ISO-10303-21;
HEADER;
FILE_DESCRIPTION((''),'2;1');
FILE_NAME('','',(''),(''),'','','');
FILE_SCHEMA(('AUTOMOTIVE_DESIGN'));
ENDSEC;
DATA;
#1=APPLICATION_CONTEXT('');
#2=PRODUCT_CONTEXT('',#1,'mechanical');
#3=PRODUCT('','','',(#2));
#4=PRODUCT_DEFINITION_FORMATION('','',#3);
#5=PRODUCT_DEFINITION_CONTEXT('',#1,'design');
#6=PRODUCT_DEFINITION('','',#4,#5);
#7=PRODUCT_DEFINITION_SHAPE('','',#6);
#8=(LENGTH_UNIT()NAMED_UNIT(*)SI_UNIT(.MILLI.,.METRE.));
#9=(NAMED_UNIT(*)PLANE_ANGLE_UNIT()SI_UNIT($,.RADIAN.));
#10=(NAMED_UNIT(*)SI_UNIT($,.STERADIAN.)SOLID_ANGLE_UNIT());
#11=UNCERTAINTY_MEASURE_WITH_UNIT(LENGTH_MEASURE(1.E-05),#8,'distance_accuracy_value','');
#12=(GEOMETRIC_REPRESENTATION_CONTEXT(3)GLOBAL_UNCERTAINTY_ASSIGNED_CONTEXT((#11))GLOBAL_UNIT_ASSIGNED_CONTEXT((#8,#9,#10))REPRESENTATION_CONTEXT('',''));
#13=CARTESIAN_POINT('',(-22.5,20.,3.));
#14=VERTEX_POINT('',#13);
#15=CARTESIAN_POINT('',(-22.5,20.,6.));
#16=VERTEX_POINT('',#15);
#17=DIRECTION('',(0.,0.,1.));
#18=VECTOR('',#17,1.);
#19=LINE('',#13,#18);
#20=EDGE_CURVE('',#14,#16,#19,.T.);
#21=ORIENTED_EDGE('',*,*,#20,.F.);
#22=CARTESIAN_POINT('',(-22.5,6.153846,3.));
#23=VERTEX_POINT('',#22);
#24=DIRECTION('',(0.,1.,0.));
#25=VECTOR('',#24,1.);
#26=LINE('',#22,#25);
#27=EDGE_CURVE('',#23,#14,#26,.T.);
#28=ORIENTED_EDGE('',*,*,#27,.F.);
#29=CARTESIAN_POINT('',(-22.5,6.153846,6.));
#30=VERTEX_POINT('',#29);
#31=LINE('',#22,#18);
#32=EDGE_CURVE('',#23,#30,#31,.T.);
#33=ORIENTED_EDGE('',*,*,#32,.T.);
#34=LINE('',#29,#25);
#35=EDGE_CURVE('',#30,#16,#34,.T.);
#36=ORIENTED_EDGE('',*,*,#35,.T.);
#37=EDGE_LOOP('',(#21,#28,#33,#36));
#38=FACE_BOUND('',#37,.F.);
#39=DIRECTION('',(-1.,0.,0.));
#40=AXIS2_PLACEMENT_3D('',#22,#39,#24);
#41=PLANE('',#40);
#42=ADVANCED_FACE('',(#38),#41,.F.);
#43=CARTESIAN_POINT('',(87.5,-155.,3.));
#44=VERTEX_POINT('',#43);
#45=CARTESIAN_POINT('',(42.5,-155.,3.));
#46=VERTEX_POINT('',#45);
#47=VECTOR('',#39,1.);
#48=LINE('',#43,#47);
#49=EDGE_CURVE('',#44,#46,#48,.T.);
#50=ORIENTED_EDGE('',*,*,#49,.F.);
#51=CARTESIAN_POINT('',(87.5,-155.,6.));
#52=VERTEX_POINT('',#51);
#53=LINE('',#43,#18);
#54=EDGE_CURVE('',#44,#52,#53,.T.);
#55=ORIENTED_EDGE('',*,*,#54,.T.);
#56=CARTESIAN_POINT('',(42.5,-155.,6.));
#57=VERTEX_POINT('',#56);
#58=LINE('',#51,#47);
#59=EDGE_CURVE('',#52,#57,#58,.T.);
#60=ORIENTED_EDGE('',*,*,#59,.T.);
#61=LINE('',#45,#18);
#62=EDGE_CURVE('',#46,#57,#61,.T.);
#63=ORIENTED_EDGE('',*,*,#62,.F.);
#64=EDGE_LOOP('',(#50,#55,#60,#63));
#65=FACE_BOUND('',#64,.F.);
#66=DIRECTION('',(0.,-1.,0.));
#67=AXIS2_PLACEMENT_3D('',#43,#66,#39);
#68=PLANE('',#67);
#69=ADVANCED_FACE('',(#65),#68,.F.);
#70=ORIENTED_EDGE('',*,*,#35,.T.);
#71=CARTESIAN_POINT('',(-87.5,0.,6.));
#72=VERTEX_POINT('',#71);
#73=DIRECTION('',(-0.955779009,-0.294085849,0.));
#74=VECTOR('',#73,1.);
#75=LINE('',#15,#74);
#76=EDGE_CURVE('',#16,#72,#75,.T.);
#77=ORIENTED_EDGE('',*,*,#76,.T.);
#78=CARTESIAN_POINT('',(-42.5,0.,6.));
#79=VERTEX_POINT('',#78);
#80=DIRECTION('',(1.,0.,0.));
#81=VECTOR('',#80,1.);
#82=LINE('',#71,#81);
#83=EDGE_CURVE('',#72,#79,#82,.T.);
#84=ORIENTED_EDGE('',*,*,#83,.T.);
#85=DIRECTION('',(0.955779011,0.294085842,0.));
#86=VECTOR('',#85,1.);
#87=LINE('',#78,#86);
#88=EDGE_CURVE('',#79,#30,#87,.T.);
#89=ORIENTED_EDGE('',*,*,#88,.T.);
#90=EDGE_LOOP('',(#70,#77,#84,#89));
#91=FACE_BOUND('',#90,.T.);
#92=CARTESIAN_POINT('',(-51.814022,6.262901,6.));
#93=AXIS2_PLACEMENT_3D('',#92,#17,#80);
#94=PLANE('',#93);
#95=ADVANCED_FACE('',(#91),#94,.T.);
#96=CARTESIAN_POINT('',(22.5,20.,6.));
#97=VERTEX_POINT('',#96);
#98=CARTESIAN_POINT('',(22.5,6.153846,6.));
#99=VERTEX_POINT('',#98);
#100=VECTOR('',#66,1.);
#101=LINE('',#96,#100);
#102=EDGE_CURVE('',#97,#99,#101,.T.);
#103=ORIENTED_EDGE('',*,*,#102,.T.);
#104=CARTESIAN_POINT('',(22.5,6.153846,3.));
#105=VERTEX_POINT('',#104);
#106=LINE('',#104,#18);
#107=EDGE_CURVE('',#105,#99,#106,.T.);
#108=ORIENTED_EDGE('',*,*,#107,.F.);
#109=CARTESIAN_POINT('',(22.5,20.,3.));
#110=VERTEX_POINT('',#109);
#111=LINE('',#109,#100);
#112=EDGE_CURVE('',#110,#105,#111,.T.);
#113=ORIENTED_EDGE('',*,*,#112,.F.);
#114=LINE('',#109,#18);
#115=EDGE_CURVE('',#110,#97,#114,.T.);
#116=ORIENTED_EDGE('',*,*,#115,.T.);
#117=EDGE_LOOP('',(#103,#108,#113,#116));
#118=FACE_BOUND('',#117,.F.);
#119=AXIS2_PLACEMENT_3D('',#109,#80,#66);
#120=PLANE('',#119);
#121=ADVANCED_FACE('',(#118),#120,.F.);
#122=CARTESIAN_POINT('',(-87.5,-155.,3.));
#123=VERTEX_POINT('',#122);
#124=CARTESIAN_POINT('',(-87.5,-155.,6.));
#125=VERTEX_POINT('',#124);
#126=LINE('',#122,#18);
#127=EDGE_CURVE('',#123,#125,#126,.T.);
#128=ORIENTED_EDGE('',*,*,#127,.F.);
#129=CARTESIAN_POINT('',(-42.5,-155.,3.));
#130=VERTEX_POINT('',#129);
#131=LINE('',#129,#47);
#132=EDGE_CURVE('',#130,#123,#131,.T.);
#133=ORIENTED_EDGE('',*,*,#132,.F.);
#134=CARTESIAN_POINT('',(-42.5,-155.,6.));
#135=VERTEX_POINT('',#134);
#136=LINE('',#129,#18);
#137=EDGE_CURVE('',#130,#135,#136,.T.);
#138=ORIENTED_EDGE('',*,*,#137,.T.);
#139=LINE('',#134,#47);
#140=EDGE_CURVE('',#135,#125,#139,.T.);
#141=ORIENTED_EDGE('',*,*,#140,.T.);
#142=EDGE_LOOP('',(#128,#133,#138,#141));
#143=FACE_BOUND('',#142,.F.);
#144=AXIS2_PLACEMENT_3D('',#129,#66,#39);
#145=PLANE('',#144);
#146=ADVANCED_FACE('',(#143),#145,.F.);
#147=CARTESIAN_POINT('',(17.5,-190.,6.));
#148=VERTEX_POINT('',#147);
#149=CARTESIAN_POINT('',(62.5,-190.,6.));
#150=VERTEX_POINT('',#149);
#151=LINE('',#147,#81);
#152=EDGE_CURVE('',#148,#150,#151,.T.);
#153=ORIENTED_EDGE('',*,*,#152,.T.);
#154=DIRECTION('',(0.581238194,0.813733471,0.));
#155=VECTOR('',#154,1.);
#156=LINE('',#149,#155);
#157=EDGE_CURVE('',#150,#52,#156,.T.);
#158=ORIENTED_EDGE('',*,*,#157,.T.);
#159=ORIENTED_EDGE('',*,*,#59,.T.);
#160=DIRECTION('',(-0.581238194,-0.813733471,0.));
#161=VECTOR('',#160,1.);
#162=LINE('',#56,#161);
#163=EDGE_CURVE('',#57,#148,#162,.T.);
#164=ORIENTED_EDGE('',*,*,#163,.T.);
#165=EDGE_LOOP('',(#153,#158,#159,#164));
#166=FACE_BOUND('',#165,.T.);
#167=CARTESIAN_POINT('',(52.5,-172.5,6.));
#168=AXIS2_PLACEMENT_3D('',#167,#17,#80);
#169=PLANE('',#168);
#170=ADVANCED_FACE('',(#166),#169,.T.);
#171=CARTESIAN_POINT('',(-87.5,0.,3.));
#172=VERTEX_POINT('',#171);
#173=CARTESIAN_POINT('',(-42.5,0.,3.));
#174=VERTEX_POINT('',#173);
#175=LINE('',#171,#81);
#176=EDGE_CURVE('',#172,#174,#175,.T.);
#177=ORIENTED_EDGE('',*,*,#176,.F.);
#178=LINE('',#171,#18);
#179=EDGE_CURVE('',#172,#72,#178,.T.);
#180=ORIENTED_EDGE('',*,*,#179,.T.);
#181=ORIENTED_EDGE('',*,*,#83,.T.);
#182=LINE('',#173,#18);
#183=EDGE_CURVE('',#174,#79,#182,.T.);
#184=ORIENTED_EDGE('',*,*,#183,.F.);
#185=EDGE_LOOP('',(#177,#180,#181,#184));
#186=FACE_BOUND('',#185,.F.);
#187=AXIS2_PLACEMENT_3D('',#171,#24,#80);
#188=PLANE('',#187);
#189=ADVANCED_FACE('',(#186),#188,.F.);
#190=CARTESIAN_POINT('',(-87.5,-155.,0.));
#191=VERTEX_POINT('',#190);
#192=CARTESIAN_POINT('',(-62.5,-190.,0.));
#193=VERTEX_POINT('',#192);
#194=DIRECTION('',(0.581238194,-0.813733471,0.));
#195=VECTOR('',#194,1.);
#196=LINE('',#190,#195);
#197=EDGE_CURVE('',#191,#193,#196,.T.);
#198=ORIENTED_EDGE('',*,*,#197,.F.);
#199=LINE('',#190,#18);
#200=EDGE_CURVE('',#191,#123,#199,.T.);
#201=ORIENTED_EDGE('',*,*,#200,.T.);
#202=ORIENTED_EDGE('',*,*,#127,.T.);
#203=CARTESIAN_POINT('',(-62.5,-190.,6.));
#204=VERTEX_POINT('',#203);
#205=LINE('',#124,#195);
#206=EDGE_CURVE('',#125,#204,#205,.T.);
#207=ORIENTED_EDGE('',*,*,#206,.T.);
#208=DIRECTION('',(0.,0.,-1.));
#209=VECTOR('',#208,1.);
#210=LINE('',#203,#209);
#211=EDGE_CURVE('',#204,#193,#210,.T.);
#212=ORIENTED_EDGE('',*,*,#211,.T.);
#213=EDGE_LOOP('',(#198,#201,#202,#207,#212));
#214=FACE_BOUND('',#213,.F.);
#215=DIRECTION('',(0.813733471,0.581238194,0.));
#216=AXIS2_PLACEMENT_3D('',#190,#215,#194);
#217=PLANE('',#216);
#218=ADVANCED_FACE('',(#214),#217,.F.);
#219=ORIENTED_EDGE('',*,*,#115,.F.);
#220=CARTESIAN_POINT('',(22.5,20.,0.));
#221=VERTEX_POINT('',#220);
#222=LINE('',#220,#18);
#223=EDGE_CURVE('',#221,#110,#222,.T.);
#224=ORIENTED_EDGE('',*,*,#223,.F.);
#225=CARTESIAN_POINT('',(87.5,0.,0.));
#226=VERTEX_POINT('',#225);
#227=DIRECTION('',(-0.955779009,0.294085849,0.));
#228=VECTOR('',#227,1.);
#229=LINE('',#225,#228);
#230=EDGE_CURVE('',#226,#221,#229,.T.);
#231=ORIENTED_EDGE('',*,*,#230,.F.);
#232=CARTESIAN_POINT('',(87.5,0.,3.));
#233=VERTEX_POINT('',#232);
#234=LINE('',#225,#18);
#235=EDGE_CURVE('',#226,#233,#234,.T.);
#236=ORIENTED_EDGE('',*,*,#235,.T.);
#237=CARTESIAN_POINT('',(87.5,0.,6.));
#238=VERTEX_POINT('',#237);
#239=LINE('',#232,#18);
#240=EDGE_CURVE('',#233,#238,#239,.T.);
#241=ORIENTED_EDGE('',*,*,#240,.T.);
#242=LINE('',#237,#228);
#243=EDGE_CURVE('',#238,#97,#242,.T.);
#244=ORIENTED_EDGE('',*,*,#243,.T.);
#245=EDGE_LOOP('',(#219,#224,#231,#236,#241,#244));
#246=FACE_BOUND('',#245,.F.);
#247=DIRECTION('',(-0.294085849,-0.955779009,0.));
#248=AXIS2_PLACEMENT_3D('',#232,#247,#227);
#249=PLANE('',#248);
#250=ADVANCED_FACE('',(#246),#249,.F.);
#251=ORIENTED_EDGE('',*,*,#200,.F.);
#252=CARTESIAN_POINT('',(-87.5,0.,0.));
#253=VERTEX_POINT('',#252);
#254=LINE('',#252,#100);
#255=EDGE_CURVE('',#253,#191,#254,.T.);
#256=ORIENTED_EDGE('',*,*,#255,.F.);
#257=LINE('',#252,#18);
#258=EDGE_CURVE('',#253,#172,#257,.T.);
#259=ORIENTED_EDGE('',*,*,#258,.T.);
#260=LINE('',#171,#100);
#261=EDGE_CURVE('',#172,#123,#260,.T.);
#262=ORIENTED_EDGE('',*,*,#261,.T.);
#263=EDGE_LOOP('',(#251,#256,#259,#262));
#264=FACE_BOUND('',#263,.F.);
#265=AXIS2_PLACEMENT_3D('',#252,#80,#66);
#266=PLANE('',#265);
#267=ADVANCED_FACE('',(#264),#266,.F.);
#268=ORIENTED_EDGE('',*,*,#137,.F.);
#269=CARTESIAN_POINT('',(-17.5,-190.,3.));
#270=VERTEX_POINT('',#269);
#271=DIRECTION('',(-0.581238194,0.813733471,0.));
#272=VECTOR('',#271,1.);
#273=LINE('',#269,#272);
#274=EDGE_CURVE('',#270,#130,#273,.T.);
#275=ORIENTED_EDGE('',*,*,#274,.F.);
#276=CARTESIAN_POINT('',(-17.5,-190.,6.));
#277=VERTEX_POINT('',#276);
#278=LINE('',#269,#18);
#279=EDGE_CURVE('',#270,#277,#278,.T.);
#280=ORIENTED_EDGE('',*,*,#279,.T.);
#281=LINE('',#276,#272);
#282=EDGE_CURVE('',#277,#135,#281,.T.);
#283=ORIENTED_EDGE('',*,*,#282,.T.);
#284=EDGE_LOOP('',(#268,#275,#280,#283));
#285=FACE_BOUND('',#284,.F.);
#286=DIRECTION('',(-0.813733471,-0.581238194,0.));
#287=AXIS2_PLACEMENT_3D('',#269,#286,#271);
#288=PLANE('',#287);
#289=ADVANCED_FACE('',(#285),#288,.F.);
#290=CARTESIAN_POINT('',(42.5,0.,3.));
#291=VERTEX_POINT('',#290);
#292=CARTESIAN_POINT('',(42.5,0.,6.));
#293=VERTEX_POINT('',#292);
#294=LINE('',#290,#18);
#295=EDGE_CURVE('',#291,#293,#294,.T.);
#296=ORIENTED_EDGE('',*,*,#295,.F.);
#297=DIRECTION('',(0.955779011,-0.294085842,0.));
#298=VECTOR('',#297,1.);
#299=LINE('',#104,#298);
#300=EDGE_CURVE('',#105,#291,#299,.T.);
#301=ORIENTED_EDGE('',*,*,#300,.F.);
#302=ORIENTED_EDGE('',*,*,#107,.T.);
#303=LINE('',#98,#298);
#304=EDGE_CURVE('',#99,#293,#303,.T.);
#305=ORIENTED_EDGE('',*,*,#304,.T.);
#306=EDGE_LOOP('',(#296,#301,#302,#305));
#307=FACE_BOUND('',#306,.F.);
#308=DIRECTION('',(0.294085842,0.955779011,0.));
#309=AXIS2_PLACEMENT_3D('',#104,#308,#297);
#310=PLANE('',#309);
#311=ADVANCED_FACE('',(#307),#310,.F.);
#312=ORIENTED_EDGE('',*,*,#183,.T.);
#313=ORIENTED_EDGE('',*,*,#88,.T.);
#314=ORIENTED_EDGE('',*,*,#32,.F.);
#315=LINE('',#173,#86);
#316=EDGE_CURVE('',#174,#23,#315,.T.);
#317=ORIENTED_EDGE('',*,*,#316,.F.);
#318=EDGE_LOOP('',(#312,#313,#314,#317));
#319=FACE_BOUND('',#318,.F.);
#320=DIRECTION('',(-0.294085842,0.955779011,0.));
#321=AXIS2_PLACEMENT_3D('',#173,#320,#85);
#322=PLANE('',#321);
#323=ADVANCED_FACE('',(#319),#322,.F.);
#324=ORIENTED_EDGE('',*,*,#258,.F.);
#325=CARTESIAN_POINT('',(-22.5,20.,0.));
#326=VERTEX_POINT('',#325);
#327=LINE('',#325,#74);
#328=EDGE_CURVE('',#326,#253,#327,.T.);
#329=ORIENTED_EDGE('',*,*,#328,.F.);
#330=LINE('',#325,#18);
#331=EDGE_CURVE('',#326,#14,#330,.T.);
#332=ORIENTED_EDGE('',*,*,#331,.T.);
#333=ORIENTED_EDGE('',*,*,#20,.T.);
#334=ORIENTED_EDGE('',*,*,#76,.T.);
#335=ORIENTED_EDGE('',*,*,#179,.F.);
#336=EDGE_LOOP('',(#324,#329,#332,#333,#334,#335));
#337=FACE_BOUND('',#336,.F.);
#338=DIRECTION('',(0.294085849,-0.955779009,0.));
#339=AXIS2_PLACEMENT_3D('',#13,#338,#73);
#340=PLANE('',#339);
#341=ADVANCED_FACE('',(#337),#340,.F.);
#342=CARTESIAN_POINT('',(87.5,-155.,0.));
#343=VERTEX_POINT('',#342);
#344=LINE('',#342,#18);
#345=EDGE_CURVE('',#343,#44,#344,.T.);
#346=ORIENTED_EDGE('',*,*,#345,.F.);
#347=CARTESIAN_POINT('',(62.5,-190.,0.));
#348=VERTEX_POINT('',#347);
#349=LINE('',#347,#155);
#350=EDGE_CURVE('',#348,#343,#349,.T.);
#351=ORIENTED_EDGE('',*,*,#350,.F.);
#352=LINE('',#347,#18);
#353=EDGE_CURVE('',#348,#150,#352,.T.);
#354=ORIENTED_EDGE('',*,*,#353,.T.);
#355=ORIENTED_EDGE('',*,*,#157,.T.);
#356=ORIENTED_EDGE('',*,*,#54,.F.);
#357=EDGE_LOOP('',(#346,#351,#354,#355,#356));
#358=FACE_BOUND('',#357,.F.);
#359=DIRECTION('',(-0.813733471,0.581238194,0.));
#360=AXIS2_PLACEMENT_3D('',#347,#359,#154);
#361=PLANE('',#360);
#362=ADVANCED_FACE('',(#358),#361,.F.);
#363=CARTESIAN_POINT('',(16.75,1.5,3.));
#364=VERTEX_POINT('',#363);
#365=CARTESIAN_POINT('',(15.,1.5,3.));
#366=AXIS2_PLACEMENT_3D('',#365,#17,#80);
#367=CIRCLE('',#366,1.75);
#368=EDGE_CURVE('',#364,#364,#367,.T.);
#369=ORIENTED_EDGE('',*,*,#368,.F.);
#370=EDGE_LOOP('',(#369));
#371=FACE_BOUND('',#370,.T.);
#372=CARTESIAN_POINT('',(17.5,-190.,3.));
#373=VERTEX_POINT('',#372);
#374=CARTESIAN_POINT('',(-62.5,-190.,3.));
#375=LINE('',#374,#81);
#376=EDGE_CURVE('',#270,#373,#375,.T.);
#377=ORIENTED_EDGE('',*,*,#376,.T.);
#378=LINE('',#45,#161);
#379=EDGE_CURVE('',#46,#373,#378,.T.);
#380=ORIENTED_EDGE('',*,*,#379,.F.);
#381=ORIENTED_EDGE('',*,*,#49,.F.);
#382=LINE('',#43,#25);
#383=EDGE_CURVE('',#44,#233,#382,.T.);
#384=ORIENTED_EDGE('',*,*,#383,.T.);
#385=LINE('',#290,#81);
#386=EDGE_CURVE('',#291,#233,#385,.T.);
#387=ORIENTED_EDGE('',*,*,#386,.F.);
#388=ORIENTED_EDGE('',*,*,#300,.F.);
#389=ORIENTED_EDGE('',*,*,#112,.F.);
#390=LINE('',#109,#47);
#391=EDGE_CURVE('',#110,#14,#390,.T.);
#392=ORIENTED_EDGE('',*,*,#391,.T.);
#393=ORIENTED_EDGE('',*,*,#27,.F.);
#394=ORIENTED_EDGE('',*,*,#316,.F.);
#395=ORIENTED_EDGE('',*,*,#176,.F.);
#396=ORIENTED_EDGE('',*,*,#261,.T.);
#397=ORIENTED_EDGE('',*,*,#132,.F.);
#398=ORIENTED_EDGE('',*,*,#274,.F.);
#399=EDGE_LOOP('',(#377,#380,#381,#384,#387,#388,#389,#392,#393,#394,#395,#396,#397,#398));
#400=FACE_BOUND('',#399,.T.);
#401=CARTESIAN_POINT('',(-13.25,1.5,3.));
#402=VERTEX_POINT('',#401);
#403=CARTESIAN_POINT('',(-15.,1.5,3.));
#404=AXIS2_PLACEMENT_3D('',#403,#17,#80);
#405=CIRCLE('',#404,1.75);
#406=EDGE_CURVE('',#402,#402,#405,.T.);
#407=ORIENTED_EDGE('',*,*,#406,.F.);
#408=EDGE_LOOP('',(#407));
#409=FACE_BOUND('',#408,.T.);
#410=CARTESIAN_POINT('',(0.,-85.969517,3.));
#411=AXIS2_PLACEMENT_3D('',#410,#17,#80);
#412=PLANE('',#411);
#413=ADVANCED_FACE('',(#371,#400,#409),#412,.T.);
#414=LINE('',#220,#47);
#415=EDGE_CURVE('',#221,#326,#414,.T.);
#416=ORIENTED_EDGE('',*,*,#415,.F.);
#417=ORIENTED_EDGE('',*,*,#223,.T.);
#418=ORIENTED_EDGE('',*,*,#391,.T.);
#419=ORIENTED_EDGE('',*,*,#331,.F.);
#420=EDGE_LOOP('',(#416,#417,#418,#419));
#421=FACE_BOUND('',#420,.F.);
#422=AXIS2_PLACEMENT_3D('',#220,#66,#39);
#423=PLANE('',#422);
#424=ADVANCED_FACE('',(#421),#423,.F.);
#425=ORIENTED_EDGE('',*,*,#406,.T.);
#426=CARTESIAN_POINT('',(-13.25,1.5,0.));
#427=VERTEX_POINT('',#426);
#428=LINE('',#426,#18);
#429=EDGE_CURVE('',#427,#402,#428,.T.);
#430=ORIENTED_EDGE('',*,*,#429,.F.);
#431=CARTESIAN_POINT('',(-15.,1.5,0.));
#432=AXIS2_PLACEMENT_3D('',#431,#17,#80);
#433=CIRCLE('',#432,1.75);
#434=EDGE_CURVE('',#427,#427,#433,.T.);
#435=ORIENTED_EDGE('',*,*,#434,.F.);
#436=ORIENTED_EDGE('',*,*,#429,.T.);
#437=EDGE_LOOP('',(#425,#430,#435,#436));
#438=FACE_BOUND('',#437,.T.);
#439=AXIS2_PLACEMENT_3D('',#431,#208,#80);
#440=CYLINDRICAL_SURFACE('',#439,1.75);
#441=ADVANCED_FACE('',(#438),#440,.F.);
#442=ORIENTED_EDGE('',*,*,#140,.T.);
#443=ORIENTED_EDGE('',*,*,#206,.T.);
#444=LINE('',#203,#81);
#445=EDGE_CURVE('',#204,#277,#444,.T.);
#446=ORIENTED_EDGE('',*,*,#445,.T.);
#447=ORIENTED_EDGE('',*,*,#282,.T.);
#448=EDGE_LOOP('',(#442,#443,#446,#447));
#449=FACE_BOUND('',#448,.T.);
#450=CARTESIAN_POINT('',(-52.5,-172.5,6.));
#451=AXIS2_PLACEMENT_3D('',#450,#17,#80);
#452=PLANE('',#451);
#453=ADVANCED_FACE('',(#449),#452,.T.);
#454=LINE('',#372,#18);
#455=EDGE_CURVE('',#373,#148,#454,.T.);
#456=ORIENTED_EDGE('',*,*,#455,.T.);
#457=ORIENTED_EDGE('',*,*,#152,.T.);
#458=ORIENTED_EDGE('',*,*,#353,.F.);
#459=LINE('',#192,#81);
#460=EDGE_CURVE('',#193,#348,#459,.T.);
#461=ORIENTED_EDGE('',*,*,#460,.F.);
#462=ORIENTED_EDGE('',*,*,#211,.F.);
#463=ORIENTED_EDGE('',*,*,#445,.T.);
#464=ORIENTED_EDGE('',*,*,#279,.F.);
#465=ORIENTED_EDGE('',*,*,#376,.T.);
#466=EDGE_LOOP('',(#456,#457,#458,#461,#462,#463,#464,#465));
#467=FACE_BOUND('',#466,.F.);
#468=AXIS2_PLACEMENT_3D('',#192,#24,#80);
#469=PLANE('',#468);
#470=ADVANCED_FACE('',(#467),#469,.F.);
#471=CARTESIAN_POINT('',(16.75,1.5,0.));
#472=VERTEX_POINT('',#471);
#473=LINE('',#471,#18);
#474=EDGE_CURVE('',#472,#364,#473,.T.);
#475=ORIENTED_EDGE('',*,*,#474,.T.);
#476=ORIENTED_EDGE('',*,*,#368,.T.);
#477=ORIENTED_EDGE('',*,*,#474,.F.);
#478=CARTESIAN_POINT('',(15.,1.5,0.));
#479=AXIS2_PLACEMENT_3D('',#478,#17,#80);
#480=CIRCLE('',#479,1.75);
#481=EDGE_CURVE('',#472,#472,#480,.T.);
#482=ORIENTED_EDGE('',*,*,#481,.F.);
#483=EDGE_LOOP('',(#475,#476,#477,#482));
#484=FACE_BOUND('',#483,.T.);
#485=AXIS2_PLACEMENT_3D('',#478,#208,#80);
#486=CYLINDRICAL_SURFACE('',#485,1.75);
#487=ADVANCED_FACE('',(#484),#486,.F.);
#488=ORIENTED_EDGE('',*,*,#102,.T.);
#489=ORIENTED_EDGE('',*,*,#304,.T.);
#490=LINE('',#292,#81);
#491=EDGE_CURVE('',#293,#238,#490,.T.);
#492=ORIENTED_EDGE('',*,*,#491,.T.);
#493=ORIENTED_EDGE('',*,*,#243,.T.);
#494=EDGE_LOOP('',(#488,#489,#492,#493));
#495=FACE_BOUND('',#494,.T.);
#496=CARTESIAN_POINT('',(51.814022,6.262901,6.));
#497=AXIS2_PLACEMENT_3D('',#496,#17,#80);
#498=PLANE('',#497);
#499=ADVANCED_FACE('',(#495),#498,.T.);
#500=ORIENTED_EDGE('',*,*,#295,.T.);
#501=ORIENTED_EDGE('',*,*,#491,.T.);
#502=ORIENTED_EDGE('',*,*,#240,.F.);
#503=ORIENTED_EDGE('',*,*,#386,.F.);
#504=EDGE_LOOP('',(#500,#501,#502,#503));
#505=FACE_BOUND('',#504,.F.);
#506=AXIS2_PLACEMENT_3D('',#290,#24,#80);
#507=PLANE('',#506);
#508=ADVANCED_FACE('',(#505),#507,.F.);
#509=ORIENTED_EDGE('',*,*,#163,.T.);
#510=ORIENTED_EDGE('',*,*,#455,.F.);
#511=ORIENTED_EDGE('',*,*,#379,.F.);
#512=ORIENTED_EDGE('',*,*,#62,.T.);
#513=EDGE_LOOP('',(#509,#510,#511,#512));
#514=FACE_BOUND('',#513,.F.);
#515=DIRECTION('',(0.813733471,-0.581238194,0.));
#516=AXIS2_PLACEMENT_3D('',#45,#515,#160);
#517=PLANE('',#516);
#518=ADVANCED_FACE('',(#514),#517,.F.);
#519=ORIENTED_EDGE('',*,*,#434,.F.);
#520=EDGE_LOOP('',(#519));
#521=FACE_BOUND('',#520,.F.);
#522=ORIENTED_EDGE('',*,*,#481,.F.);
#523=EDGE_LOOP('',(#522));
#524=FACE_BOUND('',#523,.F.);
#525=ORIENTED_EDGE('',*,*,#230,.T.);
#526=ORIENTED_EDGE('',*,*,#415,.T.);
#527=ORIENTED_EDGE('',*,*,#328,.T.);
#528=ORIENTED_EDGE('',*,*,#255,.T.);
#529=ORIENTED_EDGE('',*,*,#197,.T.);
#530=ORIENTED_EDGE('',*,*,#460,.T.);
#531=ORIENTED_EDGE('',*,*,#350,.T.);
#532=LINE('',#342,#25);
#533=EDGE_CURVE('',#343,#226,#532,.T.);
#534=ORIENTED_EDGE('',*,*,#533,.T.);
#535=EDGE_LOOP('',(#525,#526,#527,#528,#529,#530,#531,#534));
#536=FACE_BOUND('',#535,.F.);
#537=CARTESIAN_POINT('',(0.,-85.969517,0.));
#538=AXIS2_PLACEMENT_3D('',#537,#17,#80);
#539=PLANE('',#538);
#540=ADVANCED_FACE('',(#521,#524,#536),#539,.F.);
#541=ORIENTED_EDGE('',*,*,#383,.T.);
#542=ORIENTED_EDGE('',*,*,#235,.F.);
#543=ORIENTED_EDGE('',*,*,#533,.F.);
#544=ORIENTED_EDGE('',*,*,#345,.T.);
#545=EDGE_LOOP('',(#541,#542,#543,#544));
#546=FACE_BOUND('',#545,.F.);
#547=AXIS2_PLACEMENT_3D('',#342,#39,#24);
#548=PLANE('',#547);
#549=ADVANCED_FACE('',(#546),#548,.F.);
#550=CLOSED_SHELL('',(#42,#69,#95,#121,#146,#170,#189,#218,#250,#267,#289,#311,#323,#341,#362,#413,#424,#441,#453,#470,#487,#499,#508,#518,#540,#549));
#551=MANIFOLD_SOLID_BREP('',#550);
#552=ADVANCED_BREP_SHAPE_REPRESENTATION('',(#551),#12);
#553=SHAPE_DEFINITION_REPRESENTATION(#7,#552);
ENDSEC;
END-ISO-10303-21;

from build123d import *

# Parameters (mm, degrees)
F0_R     = 1.75
F1_DEPTH = 3
F3_DEPTH = 3


with BuildPart() as f1:
    # F0 (on Top) → F1 (new body)
    with BuildSketch(Plane.XY):
        Polygon((22.5, 20), (0, 20), (-22.5, 20), (-87.5, 0), (-87.5, -155), (-62.5, -190), (0, -190), (62.5, -190), (87.5, -155), (87.5, 0), align=None)
        with Locations((-15, 1.5)):
            Circle(F0_R, mode=Mode.SUBTRACT)
        with Locations((15, 1.5)):
            Circle(F0_R, mode=Mode.SUBTRACT)
    extrude(amount=F1_DEPTH)

    # F2 (on face) → F3 (join)
    with BuildSketch(Plane.XY.offset(3)):
        Polygon((-22.5, 6.153846), (-22.5, 20), (-87.5, 0), (-42.5, 0), align=None)
        Polygon((-42.5, -155), (-87.5, -155), (-62.5, -190), (-17.5, -190), align=None)
        Polygon((22.5, 20), (22.5, 6.153846), (42.5, 0), (87.5, 0), align=None)
        Polygon((87.5, -155), (42.5, -155), (17.5, -190), (62.5, -190), align=None)
    extrude(amount=F3_DEPTH)


solid = f1.part
